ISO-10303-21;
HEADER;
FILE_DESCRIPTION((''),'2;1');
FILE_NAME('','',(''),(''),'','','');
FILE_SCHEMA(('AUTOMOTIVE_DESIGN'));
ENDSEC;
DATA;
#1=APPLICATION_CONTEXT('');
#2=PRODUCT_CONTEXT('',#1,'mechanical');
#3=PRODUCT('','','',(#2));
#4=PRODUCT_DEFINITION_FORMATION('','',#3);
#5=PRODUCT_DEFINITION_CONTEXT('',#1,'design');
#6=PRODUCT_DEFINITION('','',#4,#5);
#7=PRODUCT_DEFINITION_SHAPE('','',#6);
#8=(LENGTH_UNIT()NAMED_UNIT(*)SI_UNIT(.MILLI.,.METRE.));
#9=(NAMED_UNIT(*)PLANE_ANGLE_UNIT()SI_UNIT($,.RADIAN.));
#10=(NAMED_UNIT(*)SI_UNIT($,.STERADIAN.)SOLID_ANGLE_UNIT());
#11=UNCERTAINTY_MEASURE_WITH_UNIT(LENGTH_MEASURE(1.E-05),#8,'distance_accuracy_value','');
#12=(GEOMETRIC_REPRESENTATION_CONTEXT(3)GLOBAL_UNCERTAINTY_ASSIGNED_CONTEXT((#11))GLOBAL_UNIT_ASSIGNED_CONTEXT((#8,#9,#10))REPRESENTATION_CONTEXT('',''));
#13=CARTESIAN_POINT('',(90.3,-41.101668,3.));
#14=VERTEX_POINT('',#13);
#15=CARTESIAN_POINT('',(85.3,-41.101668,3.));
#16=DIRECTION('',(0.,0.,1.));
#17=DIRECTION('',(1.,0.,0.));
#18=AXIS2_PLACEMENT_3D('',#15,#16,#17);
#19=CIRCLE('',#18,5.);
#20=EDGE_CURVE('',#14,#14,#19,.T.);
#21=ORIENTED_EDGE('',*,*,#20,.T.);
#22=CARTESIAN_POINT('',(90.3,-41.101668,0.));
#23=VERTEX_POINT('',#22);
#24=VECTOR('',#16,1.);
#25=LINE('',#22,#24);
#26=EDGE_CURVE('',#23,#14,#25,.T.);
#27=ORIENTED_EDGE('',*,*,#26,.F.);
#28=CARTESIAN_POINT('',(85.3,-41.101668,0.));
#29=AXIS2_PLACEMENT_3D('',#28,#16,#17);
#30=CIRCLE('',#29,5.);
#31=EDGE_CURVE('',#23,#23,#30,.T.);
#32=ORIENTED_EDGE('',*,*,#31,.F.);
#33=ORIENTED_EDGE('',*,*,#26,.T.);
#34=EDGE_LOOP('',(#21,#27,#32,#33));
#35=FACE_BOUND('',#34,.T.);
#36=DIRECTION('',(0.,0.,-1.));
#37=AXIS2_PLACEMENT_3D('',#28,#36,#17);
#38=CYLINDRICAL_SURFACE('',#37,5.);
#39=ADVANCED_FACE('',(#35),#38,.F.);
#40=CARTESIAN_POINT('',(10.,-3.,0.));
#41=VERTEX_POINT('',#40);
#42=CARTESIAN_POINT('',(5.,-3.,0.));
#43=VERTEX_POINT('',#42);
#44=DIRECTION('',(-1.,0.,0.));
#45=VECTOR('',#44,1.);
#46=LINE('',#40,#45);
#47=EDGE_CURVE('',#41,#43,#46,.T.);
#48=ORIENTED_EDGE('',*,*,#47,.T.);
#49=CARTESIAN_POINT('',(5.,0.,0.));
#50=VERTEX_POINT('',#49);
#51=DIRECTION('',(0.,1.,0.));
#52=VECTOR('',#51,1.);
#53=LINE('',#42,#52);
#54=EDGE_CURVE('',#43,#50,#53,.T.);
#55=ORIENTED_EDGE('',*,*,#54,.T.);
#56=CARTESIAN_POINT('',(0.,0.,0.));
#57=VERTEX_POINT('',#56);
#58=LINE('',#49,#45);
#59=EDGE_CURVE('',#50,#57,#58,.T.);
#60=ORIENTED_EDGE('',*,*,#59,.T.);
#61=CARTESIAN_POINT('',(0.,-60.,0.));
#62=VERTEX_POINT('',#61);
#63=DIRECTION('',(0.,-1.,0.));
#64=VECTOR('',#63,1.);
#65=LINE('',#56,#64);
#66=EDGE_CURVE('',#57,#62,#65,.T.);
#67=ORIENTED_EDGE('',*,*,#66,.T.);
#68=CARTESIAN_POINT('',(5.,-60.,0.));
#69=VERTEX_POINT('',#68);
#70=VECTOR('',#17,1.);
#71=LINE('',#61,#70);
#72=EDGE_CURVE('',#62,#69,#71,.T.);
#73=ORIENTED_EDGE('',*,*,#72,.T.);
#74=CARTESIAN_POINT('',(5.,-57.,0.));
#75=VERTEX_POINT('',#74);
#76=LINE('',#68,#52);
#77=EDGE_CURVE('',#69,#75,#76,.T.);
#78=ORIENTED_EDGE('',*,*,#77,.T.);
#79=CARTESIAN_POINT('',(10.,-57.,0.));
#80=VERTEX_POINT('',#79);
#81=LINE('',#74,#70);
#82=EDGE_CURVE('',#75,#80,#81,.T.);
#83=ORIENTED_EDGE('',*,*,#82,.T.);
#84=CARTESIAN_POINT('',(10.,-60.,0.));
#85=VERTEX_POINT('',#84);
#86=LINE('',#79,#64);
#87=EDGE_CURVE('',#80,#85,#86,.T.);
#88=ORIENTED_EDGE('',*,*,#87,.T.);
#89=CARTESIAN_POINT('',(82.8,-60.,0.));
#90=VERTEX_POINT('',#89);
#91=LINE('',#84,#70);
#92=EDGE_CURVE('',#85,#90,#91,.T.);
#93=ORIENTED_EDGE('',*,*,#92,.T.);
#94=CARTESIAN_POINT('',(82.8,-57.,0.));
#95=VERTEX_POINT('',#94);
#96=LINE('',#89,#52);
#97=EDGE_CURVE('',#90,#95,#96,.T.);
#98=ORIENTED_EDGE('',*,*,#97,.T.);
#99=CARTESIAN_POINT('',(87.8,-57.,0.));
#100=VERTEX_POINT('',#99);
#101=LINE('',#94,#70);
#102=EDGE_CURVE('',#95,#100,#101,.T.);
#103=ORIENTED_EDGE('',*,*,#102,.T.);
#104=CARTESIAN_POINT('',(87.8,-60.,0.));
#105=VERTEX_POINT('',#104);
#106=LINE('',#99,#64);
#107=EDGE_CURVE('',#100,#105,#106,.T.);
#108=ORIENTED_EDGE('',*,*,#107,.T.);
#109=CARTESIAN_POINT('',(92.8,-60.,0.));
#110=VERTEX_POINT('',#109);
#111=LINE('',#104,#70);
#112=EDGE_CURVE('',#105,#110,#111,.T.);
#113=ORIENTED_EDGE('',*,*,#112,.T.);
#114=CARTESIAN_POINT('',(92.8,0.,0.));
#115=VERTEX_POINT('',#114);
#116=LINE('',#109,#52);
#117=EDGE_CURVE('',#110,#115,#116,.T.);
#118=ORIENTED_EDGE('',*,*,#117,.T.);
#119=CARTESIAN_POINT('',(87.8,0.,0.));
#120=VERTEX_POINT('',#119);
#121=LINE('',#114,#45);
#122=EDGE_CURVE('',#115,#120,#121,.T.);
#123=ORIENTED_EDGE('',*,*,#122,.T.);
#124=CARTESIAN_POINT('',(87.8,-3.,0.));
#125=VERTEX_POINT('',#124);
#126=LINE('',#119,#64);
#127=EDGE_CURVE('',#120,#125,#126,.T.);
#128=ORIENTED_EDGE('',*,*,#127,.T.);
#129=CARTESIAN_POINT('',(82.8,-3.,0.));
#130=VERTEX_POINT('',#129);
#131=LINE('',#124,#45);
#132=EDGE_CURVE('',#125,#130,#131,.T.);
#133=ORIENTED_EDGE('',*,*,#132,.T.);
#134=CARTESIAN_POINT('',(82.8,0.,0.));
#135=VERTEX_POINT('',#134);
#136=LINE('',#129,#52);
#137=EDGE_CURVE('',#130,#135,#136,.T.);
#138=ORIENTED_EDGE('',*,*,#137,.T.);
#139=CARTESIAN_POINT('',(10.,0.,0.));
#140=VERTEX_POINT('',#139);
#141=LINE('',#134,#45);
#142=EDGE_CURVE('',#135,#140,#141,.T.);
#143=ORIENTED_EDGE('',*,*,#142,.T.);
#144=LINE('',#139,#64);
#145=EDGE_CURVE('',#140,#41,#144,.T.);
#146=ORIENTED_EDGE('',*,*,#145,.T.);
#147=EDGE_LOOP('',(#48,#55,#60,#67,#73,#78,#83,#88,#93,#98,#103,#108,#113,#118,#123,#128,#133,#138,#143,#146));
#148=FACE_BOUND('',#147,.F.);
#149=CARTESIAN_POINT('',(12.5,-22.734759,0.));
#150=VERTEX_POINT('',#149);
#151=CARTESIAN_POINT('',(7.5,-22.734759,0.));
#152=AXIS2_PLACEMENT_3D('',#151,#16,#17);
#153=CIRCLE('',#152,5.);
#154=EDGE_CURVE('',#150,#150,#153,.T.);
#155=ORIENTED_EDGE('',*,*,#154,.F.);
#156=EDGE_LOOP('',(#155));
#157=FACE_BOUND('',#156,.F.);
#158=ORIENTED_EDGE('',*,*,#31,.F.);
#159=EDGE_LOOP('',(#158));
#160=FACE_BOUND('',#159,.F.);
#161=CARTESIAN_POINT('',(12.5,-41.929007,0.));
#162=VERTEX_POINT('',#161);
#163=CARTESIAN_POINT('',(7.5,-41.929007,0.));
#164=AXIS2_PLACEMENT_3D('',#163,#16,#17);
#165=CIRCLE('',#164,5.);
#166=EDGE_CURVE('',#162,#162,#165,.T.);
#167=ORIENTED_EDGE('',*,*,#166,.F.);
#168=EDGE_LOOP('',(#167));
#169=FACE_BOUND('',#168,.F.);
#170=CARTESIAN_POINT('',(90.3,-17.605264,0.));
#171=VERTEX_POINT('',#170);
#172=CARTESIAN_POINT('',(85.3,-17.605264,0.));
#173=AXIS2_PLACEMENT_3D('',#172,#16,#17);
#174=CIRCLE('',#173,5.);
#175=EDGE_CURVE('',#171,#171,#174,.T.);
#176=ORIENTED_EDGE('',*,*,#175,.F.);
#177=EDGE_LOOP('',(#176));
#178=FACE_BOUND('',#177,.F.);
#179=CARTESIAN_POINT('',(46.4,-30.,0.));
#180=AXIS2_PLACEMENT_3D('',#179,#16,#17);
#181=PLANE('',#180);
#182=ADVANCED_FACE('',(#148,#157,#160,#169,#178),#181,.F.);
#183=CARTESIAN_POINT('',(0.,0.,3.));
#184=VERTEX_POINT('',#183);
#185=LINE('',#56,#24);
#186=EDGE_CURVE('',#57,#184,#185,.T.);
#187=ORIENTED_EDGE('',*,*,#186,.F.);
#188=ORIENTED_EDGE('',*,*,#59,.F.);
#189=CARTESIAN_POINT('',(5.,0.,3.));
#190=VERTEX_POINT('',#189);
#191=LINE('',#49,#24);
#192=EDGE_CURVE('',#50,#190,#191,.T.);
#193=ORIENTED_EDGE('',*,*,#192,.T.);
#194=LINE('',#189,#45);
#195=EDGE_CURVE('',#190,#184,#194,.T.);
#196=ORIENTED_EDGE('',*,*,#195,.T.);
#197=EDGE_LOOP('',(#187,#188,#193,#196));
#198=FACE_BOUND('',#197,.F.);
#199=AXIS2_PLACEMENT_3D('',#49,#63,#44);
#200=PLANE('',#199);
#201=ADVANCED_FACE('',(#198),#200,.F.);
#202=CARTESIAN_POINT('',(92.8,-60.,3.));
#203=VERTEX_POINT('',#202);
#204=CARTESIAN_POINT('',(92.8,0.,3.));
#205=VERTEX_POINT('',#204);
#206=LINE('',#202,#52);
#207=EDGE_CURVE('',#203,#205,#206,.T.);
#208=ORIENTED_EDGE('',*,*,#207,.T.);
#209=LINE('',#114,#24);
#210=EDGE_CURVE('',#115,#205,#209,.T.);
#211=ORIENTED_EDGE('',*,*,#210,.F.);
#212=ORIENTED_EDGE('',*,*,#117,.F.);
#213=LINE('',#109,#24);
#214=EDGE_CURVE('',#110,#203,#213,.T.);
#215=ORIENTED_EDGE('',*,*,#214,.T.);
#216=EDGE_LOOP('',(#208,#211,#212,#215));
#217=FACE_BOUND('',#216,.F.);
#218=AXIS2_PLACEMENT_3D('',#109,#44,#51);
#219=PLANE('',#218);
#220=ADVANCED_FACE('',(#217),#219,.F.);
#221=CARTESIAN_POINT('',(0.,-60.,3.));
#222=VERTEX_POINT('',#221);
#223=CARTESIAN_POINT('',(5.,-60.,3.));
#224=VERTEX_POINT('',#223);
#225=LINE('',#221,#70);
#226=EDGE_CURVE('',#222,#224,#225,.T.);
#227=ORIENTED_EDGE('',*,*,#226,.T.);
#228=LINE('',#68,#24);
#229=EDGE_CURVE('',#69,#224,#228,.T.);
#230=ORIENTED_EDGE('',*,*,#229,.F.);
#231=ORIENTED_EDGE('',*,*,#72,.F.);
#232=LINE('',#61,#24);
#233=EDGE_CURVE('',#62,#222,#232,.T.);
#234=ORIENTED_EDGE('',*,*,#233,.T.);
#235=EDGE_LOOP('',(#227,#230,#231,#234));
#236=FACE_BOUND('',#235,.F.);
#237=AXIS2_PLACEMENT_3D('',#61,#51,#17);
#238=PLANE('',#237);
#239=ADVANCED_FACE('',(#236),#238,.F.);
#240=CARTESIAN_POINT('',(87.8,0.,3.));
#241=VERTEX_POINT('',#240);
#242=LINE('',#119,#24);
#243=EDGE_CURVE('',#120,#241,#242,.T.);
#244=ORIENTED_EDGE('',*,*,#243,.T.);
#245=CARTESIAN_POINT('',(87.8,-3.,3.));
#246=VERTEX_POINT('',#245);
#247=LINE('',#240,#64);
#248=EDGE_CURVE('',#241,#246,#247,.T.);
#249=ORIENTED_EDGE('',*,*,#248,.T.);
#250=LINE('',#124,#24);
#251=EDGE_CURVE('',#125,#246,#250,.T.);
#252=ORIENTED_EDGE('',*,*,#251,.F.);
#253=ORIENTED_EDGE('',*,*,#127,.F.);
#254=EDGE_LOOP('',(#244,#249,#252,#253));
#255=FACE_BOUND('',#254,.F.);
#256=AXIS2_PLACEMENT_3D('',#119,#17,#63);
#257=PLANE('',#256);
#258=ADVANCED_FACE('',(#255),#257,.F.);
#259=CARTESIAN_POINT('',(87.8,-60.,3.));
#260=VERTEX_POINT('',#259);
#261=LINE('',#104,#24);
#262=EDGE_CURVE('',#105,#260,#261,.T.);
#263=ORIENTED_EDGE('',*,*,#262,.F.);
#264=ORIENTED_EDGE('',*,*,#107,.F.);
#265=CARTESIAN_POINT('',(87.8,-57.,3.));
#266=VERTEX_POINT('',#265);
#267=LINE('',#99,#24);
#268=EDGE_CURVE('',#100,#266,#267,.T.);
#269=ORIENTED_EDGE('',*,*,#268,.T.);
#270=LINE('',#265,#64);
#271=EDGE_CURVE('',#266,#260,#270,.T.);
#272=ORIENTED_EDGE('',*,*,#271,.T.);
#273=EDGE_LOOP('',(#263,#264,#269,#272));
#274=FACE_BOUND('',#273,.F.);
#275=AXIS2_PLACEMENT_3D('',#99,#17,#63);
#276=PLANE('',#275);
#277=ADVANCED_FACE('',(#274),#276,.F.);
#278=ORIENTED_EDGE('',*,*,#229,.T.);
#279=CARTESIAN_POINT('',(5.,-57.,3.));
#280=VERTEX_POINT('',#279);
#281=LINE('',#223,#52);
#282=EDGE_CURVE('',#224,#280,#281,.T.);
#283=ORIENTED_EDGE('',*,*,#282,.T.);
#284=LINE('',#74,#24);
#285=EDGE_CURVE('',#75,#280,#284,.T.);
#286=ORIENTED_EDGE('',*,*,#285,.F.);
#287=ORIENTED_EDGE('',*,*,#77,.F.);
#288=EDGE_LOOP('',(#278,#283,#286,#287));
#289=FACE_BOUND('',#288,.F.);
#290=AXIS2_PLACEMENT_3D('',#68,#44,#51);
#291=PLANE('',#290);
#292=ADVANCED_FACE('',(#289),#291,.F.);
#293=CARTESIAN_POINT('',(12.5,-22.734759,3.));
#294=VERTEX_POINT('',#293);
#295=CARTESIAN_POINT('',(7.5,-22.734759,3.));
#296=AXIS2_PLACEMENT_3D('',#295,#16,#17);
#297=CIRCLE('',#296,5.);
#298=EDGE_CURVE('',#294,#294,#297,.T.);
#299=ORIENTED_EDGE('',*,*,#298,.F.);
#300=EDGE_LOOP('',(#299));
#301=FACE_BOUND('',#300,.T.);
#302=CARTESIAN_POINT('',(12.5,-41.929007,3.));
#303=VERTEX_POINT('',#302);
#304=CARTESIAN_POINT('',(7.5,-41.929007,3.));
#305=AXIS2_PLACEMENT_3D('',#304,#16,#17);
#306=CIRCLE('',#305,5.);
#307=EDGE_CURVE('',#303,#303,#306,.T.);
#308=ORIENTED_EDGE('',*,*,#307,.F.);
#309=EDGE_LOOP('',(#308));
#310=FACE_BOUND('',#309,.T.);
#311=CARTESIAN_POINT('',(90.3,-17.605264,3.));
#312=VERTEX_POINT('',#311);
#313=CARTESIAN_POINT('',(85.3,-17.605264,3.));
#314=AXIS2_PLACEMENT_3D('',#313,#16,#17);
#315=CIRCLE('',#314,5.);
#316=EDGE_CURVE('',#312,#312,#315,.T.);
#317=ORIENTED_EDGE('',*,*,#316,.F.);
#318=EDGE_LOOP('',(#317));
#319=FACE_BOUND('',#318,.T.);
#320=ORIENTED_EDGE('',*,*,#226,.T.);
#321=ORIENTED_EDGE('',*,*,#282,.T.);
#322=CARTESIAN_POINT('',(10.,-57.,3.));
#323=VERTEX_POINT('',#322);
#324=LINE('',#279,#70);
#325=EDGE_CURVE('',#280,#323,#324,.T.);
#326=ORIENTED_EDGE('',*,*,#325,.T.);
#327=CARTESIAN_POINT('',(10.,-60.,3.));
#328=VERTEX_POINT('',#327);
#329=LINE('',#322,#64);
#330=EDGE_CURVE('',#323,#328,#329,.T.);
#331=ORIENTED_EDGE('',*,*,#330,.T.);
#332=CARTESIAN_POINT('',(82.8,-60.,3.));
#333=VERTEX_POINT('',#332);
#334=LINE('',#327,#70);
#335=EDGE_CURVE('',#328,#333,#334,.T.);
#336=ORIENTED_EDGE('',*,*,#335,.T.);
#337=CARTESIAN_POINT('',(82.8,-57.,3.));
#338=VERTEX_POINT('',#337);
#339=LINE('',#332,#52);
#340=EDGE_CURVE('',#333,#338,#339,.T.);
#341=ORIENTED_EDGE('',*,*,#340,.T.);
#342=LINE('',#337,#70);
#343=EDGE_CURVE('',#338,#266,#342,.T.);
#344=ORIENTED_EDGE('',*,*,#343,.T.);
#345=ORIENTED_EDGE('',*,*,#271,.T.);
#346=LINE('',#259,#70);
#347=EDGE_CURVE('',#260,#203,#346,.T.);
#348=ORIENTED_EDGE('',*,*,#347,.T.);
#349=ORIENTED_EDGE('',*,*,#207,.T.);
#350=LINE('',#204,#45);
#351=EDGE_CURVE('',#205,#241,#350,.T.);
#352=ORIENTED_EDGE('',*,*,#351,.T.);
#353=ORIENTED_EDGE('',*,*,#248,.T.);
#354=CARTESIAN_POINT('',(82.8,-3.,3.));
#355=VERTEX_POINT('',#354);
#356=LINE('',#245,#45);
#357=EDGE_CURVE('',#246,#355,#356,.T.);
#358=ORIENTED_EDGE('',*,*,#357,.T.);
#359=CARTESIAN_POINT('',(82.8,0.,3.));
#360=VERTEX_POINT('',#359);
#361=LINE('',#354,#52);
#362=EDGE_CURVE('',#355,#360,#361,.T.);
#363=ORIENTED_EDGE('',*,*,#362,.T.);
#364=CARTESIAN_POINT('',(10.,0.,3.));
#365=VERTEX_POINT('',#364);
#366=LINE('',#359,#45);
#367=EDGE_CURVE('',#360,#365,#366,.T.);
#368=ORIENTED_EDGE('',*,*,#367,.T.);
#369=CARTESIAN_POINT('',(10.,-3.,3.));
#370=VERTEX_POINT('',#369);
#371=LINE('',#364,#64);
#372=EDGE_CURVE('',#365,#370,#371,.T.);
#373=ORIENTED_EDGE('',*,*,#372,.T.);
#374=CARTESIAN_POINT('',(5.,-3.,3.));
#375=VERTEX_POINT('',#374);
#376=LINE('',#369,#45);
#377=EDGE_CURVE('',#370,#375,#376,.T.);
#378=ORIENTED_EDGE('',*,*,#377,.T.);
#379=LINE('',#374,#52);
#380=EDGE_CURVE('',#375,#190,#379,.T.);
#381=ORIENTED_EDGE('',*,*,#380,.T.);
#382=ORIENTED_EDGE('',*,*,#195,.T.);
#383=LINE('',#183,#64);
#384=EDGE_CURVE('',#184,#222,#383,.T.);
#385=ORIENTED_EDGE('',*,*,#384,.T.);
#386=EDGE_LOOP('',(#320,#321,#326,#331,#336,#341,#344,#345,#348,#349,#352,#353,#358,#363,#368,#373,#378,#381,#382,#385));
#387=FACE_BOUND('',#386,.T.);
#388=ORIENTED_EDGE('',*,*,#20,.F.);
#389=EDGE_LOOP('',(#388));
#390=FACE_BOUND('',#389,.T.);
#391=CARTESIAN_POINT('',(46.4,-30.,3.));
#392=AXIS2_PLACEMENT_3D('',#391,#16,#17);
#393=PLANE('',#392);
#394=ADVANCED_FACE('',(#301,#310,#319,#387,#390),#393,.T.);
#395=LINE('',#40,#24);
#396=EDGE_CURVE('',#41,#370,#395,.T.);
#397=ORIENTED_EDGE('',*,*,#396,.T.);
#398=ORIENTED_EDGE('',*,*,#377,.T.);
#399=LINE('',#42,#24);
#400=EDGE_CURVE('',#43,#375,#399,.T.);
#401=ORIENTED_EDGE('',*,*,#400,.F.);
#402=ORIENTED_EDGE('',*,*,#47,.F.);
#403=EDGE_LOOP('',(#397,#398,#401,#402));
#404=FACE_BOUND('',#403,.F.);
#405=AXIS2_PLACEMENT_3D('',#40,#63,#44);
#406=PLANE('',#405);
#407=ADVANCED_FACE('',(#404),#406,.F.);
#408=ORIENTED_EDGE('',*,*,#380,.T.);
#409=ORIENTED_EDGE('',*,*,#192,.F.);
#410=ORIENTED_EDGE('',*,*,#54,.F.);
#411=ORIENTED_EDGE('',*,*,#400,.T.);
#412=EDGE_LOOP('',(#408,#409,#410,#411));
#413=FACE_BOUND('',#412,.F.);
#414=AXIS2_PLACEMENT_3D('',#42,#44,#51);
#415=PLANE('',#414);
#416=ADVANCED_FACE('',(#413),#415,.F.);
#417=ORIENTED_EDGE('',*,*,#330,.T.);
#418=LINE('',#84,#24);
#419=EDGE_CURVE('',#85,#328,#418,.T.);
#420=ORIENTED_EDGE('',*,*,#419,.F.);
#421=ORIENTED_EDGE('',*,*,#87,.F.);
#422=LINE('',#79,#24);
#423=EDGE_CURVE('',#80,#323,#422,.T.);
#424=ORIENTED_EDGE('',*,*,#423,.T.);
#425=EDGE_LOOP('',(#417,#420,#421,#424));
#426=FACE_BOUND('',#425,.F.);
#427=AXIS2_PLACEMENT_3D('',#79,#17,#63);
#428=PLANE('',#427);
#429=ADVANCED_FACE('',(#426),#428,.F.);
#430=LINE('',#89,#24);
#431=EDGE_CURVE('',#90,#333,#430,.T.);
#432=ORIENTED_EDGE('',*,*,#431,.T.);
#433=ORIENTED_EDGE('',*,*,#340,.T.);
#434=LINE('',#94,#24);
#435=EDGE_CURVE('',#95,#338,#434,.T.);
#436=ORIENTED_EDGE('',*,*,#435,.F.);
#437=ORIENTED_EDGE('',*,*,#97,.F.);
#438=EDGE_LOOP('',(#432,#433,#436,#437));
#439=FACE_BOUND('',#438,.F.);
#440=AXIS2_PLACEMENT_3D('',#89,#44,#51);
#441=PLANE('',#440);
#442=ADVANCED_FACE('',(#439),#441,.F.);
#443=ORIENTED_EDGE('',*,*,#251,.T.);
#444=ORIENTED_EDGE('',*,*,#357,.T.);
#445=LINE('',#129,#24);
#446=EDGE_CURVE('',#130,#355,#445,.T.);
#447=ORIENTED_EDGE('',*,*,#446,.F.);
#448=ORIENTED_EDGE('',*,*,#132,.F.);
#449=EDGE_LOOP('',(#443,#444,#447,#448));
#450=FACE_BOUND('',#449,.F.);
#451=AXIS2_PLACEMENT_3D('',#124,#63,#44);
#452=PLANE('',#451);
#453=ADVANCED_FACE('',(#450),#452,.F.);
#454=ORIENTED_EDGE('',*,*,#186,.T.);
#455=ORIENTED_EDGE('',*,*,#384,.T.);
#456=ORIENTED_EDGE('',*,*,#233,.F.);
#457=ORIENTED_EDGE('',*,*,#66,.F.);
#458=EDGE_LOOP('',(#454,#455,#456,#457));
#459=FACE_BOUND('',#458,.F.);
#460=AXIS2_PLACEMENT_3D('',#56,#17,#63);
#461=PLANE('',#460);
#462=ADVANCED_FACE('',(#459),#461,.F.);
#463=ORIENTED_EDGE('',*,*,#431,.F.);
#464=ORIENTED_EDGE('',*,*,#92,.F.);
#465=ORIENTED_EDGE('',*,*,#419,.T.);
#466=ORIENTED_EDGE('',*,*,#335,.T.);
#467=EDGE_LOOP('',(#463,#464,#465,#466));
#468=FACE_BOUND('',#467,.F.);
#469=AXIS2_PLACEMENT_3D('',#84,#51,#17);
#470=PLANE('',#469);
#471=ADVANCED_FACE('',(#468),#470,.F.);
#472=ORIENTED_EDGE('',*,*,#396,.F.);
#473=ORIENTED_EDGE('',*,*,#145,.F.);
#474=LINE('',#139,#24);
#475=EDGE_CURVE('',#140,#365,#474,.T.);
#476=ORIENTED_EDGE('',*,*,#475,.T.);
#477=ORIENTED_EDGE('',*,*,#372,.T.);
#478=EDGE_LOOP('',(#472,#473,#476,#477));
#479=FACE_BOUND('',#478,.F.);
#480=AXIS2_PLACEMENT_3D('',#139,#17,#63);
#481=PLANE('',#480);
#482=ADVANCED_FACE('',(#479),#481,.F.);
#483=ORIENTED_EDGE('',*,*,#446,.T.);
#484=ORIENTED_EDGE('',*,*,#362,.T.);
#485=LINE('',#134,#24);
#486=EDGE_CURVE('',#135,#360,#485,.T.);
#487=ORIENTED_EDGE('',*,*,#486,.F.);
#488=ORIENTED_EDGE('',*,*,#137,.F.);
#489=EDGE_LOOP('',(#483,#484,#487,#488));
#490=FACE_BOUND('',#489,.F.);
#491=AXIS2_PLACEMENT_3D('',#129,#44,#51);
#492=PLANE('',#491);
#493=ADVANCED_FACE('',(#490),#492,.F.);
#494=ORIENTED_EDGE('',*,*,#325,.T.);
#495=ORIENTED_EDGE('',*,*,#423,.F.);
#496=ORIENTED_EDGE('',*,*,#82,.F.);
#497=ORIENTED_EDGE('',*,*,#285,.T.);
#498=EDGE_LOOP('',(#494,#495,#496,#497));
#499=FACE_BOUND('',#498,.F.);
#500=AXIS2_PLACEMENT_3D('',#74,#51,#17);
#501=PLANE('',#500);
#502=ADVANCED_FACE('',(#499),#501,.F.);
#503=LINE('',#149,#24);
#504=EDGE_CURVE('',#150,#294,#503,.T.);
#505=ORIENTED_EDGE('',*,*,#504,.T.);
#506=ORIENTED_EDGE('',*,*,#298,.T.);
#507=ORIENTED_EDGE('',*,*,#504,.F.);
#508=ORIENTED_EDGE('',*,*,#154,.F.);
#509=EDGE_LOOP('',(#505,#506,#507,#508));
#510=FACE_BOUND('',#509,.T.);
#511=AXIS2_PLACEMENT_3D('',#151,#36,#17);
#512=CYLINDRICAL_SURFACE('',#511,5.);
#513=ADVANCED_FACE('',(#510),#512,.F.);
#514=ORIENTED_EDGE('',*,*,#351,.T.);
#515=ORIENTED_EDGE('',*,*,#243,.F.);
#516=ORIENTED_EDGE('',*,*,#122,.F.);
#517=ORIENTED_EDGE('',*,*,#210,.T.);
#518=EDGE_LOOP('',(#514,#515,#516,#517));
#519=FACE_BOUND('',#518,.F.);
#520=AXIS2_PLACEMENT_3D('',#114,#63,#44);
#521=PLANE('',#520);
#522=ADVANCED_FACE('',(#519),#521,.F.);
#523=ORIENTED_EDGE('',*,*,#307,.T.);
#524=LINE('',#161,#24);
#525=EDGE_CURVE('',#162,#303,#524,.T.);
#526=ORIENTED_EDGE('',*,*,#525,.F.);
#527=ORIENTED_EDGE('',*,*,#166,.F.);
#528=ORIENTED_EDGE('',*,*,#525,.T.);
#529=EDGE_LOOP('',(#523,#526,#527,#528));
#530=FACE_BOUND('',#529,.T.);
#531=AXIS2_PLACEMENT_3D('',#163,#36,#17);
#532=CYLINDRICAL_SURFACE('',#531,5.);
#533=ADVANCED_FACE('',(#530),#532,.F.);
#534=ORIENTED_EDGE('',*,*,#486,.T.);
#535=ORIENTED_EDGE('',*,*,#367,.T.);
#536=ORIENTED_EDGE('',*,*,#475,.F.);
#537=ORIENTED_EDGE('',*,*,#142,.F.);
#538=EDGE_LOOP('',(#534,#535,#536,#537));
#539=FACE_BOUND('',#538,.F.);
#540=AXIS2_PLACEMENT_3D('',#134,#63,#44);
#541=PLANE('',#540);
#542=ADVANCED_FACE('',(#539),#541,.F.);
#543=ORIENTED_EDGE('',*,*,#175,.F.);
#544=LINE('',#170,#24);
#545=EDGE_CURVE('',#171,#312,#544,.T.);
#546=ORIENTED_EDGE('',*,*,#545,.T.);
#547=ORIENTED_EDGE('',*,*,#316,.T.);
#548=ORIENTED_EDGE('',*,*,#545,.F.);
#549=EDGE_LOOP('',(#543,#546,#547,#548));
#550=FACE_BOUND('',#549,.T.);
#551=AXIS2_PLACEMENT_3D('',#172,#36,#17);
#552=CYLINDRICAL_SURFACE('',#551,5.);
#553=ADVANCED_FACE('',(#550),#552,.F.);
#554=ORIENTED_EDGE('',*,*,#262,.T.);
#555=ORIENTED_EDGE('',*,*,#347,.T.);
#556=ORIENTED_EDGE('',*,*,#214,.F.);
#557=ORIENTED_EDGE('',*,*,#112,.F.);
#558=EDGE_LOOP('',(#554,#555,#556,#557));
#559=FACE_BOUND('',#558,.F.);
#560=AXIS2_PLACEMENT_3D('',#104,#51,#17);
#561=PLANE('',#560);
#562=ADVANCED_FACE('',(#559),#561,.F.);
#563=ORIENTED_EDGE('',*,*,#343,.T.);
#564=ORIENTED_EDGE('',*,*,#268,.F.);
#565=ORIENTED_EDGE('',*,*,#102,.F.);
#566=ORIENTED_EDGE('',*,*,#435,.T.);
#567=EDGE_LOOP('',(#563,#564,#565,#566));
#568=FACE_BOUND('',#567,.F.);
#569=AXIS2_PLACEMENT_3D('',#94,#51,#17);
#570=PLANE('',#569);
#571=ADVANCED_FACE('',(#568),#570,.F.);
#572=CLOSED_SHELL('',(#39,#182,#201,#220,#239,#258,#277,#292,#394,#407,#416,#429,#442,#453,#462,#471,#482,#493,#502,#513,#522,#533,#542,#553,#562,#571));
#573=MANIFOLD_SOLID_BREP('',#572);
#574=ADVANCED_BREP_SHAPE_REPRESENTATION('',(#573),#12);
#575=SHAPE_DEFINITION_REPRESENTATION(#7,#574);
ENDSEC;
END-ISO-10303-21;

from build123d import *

# Parameters (mm, degrees)
F0_R     = 5
F1_DEPTH = 3


with BuildPart() as f1:
    # F0 (on Top) → F1 (new body)
    with BuildSketch(Plane.XY):
        Polygon((92.8, -60), (92.8, 0), (87.8, 0), (87.8, -3), (82.8, -3), (82.8, 0), (77.7, 0), (73.9, 0), (70.1, 0), (66.3, 0), (62.5, 0), (58.7, 0), (54.9, 0), (51.1, 0), (47.3, 0), (43.5, 0), (39.7, 0), (35.9, 0), (32.1, 0), (28.3, 0), (24.5, 0), (20.7, 0), (16.9, 0), (10, 0), (10, -3), (5, -3), (5, 0), (0, 0), (0, -60), (5, -60), (5, -57), (10, -57), (10, -60), (15, -60), (18.8, -60), (22.6, -60), (26.4, -60), (30.2, -60), (34, -60), (37.8, -60), (41.6, -60), (45.4, -60), (49.2, -60), (53, -60), (56.8, -60), (60.6, -60), (64.4, -60), (68.2, -60), (72, -60), (75.8, -60), (82.8, -60), (82.8, -57), (87.8, -57), (87.8, -60), align=None)
        with Locations((7.5, -41.929007)):
            Circle(F0_R, mode=Mode.SUBTRACT)
        with Locations((85.3, -41.101668)):
            Circle(F0_R, mode=Mode.SUBTRACT)
        with Locations((7.5, -22.734759)):
            Circle(F0_R, mode=Mode.SUBTRACT)
        with Locations((85.3, -17.605264)):
            Circle(F0_R, mode=Mode.SUBTRACT)
    extrude(amount=F1_DEPTH)


solid = f1.part
